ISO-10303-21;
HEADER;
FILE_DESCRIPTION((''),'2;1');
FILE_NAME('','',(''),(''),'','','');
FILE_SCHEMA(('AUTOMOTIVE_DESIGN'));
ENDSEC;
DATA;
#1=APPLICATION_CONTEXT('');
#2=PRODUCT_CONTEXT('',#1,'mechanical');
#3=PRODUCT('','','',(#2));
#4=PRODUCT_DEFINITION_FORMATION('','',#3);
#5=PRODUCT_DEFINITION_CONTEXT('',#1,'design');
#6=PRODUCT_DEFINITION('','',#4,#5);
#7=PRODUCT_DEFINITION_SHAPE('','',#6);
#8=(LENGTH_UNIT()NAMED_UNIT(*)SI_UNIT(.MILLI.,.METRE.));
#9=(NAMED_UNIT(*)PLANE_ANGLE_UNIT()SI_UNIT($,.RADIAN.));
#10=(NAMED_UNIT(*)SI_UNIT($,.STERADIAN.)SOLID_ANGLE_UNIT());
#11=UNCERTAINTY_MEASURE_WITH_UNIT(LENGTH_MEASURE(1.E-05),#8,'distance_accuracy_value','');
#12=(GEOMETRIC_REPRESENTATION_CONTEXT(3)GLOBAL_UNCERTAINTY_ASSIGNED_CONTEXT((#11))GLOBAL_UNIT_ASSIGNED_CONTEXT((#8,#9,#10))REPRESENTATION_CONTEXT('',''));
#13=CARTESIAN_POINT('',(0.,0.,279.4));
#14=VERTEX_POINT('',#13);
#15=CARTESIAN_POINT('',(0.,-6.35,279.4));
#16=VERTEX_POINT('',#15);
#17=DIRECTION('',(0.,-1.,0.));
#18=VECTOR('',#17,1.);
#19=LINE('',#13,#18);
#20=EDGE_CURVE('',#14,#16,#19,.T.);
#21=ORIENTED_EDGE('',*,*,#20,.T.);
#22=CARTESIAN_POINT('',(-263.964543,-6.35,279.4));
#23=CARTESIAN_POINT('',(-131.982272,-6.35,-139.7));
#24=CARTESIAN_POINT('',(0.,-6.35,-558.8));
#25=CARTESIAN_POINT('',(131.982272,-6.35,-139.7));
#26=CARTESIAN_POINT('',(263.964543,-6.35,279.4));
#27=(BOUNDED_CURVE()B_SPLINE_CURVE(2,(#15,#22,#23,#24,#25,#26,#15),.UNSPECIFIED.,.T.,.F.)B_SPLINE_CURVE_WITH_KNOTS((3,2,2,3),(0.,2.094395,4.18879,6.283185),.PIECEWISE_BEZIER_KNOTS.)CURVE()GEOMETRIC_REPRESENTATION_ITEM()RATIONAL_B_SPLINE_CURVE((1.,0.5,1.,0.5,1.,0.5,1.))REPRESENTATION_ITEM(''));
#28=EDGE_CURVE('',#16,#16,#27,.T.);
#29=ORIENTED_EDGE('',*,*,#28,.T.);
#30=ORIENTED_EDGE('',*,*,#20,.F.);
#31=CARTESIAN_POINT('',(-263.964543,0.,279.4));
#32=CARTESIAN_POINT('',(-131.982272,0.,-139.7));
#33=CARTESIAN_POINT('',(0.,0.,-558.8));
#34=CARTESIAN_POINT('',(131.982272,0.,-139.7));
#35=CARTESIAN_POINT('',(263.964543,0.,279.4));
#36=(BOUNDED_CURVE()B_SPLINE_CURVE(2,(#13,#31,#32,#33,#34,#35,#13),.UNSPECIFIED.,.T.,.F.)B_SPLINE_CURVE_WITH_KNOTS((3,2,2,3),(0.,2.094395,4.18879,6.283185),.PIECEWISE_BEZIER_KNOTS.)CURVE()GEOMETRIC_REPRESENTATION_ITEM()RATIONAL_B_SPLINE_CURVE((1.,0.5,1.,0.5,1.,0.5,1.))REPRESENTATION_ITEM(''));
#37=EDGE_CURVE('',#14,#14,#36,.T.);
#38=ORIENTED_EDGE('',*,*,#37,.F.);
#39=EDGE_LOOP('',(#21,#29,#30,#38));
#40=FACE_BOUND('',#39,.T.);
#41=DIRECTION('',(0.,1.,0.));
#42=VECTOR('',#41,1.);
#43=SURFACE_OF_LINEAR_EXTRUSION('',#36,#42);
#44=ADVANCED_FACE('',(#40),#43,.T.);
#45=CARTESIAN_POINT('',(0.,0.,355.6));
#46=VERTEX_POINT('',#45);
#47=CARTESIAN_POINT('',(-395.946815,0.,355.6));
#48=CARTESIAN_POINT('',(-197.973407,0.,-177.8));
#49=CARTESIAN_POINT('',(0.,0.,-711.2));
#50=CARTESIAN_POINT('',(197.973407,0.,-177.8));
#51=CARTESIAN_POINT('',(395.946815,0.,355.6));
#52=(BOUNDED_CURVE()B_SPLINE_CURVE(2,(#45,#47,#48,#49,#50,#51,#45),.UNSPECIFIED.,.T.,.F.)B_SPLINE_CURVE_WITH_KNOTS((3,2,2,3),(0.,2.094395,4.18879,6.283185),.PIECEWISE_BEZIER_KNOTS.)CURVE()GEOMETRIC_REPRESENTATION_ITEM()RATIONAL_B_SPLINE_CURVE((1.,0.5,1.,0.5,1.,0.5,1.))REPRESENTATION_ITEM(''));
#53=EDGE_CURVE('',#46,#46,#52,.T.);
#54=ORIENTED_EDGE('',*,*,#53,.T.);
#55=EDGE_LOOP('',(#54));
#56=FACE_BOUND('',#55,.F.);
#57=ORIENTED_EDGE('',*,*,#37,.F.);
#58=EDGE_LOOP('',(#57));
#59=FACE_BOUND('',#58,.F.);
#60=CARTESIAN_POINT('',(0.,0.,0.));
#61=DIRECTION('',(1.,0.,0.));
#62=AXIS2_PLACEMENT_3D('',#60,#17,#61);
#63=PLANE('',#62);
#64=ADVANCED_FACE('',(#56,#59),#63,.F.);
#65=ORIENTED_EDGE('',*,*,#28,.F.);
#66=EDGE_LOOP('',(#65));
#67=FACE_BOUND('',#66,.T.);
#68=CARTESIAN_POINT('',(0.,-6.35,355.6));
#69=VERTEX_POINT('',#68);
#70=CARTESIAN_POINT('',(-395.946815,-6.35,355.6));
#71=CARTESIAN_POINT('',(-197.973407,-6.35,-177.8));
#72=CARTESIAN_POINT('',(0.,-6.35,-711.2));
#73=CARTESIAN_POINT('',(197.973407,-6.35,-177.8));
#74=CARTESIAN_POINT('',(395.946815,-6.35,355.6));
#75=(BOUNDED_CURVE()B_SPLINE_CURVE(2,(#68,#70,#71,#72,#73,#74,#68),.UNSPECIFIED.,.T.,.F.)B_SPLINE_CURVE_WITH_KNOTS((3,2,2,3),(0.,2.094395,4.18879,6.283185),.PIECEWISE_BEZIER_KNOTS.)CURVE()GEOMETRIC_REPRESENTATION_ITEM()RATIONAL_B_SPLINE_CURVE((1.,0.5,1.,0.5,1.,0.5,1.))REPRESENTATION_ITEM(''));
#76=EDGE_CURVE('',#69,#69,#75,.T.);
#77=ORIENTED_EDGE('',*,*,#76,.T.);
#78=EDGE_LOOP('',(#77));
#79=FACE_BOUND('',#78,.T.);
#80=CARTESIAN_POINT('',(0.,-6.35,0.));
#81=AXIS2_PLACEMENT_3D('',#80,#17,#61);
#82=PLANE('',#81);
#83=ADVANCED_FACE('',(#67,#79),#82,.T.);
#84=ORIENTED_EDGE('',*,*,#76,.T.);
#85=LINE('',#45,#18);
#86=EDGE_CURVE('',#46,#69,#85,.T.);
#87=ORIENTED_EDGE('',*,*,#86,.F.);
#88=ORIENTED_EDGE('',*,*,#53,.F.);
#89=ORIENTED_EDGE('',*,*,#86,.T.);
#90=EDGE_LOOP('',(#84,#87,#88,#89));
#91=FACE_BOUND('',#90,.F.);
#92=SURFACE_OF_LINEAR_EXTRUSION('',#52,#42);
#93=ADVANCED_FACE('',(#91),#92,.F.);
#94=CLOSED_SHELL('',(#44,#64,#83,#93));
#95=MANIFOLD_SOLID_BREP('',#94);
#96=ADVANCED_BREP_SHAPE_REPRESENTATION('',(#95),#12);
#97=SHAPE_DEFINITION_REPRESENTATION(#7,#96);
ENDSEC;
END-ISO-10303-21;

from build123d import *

# Parameters (mm, degrees)
F1_DEPTH = 6.35


with BuildPart() as f1:
    # F0 (on Front) → F1 (new body)
    with BuildSketch(Plane.XZ):
        with BuildLine():
            add(Edge.make_bspline(
                [(0, 355.6), (-395.946815, 355.6), (-197.973407, -177.8), (0, -711.2), (197.973407, -177.8), (395.946815, 355.6), (0, 355.6)],
                knots=[0, 0, 0, 2.094395, 2.094395, 4.18879, 4.18879, 6.283185, 6.283185, 6.283185], degree=2, weights=[1, 0.5, 1, 0.5, 1, 0.5, 1]))
        make_face()
        with BuildLine():
            add(Edge.make_bspline(
                [(0, 279.4), (-263.964543, 279.4), (-131.982272, -139.7), (0, -558.8), (131.982272, -139.7), (263.964543, 279.4), (0, 279.4)],
                knots=[0, 0, 0, 2.094395, 2.094395, 4.18879, 4.18879, 6.283185, 6.283185, 6.283185], degree=2, weights=[1, 0.5, 1, 0.5, 1, 0.5, 1]))
        make_face(mode=Mode.SUBTRACT)
    extrude(amount=F1_DEPTH)


solid = f1.part
